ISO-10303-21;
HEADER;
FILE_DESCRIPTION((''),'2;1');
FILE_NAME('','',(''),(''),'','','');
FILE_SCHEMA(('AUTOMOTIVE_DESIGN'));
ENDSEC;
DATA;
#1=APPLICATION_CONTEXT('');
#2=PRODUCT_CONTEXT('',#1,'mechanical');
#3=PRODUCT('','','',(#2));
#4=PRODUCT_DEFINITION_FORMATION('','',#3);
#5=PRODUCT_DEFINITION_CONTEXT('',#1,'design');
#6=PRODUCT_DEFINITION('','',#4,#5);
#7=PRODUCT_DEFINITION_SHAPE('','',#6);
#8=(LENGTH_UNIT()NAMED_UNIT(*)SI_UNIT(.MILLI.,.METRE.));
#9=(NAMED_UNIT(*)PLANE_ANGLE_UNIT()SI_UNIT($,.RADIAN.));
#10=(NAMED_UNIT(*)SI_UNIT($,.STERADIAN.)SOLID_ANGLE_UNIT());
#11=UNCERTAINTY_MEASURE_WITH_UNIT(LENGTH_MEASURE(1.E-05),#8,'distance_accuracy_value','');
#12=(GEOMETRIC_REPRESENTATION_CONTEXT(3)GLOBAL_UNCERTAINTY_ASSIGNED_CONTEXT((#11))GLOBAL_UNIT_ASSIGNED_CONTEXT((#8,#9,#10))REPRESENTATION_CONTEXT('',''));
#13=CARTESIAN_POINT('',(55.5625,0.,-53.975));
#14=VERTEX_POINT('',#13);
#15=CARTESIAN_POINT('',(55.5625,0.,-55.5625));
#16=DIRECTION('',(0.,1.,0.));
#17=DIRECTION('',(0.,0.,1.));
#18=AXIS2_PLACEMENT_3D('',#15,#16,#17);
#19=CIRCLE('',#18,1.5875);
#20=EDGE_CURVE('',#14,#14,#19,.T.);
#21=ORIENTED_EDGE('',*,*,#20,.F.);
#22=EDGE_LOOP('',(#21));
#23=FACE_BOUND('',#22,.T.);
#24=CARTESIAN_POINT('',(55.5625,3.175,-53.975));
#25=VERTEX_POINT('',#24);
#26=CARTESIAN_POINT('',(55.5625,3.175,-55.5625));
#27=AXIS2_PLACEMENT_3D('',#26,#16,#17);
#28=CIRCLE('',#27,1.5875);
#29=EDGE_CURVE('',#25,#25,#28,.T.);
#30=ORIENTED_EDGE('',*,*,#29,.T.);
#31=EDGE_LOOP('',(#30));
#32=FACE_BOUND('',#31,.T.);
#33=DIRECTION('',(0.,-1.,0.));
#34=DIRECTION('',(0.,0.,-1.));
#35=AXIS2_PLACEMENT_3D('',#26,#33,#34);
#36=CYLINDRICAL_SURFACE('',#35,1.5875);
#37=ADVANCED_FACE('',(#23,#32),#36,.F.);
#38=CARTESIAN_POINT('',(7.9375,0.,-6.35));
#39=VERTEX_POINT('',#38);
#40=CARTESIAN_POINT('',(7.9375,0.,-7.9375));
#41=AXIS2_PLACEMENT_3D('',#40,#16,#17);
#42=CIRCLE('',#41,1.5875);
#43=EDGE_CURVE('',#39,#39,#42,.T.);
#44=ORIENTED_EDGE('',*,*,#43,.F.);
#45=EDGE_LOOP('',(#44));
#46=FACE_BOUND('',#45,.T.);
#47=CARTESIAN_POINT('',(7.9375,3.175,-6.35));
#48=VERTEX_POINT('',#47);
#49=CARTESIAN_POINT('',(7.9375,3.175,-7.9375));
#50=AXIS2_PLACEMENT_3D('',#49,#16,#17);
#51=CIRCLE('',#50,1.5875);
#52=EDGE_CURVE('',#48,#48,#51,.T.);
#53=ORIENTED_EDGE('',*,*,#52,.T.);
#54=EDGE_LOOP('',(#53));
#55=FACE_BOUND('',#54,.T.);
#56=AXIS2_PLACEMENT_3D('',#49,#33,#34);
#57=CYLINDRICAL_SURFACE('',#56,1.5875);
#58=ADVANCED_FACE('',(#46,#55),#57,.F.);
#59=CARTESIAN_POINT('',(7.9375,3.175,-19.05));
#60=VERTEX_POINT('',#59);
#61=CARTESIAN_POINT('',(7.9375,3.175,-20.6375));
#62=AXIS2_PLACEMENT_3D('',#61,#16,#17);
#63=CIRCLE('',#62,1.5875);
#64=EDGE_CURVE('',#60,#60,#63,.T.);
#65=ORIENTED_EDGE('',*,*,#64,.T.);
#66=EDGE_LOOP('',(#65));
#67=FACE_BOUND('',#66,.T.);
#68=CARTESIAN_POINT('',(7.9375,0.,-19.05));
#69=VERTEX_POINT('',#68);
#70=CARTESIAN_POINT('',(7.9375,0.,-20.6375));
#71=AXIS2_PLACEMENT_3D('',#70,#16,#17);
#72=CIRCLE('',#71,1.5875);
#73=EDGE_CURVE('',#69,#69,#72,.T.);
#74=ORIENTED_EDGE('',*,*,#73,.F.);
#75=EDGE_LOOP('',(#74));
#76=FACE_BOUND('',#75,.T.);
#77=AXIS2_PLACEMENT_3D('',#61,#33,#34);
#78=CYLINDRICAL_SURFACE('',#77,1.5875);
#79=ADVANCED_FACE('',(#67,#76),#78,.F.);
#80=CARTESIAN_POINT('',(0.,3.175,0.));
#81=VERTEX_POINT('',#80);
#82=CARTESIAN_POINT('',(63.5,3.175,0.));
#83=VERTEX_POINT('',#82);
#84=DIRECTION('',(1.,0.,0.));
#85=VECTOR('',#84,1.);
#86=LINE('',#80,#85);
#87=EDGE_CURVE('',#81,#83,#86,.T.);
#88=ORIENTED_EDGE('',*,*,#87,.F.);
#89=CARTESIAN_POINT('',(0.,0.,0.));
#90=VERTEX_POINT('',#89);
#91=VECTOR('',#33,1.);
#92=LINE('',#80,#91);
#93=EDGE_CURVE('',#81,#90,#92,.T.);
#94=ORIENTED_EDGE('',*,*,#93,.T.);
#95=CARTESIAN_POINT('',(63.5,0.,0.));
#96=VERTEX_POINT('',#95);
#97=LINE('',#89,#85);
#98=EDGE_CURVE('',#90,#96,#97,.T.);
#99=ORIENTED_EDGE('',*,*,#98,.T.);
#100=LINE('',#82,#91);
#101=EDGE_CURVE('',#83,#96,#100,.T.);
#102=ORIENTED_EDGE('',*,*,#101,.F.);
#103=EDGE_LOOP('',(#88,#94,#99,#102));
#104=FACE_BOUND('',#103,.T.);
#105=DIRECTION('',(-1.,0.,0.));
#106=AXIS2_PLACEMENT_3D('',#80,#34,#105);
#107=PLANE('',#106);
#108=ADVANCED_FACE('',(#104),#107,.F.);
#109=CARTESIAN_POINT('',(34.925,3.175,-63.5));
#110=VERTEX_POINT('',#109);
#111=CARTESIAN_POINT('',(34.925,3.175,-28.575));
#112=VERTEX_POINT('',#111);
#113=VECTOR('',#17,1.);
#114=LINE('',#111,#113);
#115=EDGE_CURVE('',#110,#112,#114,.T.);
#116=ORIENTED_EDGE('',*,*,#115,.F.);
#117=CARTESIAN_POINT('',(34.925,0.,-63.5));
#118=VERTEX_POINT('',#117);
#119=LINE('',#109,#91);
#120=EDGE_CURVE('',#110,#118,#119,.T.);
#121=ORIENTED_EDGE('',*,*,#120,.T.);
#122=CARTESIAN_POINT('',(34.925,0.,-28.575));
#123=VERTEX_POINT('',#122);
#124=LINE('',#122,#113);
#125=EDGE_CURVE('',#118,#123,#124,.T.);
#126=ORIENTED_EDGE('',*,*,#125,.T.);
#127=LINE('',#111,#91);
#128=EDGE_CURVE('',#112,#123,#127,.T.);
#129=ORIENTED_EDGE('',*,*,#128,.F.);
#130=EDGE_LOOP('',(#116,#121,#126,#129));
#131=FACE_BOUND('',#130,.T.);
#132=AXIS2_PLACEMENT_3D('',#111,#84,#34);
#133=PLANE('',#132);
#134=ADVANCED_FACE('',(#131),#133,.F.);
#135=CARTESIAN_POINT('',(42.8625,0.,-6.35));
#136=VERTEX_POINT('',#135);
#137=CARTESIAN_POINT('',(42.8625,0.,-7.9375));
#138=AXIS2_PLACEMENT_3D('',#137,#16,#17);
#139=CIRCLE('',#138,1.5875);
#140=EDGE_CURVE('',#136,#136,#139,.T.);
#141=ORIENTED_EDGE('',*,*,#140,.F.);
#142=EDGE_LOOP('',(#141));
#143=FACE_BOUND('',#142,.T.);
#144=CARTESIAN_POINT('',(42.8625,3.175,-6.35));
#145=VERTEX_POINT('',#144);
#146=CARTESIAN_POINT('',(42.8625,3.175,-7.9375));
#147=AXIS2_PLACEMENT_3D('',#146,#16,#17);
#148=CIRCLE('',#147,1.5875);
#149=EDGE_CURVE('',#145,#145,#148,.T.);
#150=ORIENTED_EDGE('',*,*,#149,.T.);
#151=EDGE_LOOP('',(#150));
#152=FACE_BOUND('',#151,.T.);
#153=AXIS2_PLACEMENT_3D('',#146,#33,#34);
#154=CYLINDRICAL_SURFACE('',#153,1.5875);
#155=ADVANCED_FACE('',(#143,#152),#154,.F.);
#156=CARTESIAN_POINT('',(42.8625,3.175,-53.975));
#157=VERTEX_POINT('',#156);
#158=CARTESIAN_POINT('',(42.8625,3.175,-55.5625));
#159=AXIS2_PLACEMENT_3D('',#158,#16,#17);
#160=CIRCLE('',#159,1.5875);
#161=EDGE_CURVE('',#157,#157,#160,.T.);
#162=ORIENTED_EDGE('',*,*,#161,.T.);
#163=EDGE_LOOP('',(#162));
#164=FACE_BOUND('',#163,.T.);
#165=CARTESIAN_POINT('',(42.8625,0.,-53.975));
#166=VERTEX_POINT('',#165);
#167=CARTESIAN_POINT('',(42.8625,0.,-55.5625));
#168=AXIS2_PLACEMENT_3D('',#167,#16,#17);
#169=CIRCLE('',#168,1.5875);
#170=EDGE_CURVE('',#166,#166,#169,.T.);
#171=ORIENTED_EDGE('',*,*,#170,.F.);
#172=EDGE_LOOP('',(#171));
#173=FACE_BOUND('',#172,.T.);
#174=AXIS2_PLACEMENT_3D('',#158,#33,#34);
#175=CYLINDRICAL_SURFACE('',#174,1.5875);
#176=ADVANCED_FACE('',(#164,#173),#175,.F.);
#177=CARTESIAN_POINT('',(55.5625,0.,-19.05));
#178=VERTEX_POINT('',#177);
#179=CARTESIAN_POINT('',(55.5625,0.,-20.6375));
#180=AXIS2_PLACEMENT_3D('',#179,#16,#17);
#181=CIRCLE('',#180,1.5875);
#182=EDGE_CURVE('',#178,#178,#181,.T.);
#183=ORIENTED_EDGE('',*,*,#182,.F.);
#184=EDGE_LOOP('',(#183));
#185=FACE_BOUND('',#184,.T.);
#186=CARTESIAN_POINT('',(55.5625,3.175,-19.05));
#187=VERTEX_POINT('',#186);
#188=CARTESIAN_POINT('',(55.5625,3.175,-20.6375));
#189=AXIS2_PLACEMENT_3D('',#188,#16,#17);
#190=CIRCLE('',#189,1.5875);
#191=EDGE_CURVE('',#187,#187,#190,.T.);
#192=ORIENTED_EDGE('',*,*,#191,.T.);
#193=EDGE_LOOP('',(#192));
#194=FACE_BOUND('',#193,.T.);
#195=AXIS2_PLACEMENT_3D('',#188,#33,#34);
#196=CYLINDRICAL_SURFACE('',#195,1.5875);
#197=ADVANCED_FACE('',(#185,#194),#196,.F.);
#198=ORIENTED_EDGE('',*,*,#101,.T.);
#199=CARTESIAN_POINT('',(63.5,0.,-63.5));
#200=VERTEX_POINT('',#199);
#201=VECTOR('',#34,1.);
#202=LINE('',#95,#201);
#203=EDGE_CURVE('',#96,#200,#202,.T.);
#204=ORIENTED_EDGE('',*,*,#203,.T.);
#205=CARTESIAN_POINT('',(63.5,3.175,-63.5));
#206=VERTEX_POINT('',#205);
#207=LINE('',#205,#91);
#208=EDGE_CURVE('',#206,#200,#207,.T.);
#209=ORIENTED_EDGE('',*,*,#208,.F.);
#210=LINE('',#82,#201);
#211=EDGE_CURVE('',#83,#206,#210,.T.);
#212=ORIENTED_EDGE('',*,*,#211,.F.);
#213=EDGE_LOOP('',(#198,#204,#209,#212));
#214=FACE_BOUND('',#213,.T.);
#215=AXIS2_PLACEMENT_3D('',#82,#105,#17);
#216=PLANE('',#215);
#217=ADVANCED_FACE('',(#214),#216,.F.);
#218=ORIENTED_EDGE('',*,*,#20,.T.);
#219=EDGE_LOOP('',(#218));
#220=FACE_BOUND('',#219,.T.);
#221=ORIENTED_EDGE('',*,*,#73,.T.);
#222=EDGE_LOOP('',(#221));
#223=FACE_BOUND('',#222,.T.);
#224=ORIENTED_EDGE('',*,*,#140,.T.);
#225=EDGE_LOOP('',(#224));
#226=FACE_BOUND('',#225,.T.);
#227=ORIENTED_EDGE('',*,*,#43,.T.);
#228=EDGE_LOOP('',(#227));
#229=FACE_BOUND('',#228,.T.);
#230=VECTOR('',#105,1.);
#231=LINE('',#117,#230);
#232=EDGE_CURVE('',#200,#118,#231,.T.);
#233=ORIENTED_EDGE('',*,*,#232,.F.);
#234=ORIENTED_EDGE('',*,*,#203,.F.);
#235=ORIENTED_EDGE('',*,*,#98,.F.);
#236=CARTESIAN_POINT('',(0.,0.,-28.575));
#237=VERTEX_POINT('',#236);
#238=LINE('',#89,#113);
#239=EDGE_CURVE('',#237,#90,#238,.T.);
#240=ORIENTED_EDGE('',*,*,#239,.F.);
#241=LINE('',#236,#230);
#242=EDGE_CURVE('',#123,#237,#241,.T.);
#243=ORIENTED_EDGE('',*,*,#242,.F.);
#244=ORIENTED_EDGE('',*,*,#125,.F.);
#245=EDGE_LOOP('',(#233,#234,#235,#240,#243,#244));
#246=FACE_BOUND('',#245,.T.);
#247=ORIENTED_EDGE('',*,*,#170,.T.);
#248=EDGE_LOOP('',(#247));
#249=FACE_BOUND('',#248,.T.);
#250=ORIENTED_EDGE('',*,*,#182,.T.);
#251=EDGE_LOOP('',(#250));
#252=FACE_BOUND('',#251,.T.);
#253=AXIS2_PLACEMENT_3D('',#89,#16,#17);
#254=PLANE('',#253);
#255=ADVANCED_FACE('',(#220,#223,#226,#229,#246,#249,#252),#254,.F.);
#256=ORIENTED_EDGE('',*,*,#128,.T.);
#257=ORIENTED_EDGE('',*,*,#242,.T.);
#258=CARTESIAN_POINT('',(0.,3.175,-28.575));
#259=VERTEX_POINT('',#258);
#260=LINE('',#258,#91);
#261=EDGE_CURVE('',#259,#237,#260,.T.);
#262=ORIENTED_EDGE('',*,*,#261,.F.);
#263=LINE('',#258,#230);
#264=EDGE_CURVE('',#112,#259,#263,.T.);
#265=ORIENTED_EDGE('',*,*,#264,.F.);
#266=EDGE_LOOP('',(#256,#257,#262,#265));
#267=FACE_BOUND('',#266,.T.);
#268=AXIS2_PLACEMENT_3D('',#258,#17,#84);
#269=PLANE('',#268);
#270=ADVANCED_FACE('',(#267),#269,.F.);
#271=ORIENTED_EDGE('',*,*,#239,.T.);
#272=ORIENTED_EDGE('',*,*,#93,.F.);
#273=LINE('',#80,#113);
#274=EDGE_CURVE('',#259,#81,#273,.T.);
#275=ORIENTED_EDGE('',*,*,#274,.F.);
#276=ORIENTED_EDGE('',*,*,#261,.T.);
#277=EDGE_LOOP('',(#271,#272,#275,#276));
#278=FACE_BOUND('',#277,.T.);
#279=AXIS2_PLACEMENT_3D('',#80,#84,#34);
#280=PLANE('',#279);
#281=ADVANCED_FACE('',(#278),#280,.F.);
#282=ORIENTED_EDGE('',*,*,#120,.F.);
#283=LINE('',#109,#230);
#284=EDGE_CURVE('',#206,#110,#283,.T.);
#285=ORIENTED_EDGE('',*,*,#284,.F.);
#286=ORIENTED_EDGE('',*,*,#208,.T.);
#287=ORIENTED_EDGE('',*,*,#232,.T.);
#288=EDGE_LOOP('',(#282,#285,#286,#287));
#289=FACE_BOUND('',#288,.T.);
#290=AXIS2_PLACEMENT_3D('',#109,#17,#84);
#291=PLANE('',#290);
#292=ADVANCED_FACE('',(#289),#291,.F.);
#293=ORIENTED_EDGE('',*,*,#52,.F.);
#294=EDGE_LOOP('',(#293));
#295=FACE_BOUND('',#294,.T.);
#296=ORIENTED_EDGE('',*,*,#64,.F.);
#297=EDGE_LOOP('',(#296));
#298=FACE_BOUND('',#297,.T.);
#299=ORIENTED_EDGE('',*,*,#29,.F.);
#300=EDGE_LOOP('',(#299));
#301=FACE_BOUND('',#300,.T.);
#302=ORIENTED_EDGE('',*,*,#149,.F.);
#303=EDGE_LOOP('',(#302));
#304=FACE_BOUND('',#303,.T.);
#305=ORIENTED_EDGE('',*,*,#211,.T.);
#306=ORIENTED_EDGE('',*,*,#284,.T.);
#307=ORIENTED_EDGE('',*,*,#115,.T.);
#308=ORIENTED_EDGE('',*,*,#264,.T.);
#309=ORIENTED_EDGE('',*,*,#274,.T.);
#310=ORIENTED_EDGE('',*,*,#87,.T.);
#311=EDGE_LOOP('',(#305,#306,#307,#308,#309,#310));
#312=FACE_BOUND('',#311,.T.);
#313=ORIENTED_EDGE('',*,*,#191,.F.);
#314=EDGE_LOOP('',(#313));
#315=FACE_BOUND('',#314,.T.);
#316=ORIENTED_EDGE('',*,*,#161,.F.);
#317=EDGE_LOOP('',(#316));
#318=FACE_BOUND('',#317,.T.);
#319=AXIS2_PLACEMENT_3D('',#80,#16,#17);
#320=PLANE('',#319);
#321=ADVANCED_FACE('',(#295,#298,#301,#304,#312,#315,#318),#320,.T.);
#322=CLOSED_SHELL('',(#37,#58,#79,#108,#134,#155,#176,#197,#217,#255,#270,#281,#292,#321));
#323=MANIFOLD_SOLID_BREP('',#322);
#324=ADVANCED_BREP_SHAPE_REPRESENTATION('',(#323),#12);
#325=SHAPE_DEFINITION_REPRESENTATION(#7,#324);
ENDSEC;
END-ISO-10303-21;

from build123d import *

# Parameters (mm, degrees)
SKETCH1_R           = 1.5875
BOSS_EXTRUDE1_DEPTH = 3.175


with BuildPart() as part:
    # Sketch1 → Boss-Extrude1 (new body)
    with BuildSketch(Plane(origin=(0, 0, 0), x_dir=(1, 0, 0), z_dir=(0, 1, 0))):
        Polygon((0, 0), (0, 28.575), (34.925, 28.575), (34.925, 63.5), (63.5, 63.5), (63.5, 0), align=None)
        with Locations(Location((7.9375, 20.6375, 0), (0, 0, 270))):
            Circle(SKETCH1_R, mode=Mode.SUBTRACT)
        with Locations(Location((7.9375, 7.9375, 0), (0, 0, 270))):
            Circle(SKETCH1_R, mode=Mode.SUBTRACT)
        with Locations(Location((42.8625, 7.9375, 0), (0, 0, 270))):
            Circle(SKETCH1_R, mode=Mode.SUBTRACT)
        with Locations(Location((55.5625, 20.6375, 0), (0, 0, 270))):
            Circle(SKETCH1_R, mode=Mode.SUBTRACT)
        with Locations(Location((55.5625, 55.5625, 0), (0, 0, 270))):
            Circle(SKETCH1_R, mode=Mode.SUBTRACT)
        with Locations(Location((42.8625, 55.5625, 0), (0, 0, 270))):
            Circle(SKETCH1_R, mode=Mode.SUBTRACT)
    extrude(amount=BOSS_EXTRUDE1_DEPTH)


solid = part.part
